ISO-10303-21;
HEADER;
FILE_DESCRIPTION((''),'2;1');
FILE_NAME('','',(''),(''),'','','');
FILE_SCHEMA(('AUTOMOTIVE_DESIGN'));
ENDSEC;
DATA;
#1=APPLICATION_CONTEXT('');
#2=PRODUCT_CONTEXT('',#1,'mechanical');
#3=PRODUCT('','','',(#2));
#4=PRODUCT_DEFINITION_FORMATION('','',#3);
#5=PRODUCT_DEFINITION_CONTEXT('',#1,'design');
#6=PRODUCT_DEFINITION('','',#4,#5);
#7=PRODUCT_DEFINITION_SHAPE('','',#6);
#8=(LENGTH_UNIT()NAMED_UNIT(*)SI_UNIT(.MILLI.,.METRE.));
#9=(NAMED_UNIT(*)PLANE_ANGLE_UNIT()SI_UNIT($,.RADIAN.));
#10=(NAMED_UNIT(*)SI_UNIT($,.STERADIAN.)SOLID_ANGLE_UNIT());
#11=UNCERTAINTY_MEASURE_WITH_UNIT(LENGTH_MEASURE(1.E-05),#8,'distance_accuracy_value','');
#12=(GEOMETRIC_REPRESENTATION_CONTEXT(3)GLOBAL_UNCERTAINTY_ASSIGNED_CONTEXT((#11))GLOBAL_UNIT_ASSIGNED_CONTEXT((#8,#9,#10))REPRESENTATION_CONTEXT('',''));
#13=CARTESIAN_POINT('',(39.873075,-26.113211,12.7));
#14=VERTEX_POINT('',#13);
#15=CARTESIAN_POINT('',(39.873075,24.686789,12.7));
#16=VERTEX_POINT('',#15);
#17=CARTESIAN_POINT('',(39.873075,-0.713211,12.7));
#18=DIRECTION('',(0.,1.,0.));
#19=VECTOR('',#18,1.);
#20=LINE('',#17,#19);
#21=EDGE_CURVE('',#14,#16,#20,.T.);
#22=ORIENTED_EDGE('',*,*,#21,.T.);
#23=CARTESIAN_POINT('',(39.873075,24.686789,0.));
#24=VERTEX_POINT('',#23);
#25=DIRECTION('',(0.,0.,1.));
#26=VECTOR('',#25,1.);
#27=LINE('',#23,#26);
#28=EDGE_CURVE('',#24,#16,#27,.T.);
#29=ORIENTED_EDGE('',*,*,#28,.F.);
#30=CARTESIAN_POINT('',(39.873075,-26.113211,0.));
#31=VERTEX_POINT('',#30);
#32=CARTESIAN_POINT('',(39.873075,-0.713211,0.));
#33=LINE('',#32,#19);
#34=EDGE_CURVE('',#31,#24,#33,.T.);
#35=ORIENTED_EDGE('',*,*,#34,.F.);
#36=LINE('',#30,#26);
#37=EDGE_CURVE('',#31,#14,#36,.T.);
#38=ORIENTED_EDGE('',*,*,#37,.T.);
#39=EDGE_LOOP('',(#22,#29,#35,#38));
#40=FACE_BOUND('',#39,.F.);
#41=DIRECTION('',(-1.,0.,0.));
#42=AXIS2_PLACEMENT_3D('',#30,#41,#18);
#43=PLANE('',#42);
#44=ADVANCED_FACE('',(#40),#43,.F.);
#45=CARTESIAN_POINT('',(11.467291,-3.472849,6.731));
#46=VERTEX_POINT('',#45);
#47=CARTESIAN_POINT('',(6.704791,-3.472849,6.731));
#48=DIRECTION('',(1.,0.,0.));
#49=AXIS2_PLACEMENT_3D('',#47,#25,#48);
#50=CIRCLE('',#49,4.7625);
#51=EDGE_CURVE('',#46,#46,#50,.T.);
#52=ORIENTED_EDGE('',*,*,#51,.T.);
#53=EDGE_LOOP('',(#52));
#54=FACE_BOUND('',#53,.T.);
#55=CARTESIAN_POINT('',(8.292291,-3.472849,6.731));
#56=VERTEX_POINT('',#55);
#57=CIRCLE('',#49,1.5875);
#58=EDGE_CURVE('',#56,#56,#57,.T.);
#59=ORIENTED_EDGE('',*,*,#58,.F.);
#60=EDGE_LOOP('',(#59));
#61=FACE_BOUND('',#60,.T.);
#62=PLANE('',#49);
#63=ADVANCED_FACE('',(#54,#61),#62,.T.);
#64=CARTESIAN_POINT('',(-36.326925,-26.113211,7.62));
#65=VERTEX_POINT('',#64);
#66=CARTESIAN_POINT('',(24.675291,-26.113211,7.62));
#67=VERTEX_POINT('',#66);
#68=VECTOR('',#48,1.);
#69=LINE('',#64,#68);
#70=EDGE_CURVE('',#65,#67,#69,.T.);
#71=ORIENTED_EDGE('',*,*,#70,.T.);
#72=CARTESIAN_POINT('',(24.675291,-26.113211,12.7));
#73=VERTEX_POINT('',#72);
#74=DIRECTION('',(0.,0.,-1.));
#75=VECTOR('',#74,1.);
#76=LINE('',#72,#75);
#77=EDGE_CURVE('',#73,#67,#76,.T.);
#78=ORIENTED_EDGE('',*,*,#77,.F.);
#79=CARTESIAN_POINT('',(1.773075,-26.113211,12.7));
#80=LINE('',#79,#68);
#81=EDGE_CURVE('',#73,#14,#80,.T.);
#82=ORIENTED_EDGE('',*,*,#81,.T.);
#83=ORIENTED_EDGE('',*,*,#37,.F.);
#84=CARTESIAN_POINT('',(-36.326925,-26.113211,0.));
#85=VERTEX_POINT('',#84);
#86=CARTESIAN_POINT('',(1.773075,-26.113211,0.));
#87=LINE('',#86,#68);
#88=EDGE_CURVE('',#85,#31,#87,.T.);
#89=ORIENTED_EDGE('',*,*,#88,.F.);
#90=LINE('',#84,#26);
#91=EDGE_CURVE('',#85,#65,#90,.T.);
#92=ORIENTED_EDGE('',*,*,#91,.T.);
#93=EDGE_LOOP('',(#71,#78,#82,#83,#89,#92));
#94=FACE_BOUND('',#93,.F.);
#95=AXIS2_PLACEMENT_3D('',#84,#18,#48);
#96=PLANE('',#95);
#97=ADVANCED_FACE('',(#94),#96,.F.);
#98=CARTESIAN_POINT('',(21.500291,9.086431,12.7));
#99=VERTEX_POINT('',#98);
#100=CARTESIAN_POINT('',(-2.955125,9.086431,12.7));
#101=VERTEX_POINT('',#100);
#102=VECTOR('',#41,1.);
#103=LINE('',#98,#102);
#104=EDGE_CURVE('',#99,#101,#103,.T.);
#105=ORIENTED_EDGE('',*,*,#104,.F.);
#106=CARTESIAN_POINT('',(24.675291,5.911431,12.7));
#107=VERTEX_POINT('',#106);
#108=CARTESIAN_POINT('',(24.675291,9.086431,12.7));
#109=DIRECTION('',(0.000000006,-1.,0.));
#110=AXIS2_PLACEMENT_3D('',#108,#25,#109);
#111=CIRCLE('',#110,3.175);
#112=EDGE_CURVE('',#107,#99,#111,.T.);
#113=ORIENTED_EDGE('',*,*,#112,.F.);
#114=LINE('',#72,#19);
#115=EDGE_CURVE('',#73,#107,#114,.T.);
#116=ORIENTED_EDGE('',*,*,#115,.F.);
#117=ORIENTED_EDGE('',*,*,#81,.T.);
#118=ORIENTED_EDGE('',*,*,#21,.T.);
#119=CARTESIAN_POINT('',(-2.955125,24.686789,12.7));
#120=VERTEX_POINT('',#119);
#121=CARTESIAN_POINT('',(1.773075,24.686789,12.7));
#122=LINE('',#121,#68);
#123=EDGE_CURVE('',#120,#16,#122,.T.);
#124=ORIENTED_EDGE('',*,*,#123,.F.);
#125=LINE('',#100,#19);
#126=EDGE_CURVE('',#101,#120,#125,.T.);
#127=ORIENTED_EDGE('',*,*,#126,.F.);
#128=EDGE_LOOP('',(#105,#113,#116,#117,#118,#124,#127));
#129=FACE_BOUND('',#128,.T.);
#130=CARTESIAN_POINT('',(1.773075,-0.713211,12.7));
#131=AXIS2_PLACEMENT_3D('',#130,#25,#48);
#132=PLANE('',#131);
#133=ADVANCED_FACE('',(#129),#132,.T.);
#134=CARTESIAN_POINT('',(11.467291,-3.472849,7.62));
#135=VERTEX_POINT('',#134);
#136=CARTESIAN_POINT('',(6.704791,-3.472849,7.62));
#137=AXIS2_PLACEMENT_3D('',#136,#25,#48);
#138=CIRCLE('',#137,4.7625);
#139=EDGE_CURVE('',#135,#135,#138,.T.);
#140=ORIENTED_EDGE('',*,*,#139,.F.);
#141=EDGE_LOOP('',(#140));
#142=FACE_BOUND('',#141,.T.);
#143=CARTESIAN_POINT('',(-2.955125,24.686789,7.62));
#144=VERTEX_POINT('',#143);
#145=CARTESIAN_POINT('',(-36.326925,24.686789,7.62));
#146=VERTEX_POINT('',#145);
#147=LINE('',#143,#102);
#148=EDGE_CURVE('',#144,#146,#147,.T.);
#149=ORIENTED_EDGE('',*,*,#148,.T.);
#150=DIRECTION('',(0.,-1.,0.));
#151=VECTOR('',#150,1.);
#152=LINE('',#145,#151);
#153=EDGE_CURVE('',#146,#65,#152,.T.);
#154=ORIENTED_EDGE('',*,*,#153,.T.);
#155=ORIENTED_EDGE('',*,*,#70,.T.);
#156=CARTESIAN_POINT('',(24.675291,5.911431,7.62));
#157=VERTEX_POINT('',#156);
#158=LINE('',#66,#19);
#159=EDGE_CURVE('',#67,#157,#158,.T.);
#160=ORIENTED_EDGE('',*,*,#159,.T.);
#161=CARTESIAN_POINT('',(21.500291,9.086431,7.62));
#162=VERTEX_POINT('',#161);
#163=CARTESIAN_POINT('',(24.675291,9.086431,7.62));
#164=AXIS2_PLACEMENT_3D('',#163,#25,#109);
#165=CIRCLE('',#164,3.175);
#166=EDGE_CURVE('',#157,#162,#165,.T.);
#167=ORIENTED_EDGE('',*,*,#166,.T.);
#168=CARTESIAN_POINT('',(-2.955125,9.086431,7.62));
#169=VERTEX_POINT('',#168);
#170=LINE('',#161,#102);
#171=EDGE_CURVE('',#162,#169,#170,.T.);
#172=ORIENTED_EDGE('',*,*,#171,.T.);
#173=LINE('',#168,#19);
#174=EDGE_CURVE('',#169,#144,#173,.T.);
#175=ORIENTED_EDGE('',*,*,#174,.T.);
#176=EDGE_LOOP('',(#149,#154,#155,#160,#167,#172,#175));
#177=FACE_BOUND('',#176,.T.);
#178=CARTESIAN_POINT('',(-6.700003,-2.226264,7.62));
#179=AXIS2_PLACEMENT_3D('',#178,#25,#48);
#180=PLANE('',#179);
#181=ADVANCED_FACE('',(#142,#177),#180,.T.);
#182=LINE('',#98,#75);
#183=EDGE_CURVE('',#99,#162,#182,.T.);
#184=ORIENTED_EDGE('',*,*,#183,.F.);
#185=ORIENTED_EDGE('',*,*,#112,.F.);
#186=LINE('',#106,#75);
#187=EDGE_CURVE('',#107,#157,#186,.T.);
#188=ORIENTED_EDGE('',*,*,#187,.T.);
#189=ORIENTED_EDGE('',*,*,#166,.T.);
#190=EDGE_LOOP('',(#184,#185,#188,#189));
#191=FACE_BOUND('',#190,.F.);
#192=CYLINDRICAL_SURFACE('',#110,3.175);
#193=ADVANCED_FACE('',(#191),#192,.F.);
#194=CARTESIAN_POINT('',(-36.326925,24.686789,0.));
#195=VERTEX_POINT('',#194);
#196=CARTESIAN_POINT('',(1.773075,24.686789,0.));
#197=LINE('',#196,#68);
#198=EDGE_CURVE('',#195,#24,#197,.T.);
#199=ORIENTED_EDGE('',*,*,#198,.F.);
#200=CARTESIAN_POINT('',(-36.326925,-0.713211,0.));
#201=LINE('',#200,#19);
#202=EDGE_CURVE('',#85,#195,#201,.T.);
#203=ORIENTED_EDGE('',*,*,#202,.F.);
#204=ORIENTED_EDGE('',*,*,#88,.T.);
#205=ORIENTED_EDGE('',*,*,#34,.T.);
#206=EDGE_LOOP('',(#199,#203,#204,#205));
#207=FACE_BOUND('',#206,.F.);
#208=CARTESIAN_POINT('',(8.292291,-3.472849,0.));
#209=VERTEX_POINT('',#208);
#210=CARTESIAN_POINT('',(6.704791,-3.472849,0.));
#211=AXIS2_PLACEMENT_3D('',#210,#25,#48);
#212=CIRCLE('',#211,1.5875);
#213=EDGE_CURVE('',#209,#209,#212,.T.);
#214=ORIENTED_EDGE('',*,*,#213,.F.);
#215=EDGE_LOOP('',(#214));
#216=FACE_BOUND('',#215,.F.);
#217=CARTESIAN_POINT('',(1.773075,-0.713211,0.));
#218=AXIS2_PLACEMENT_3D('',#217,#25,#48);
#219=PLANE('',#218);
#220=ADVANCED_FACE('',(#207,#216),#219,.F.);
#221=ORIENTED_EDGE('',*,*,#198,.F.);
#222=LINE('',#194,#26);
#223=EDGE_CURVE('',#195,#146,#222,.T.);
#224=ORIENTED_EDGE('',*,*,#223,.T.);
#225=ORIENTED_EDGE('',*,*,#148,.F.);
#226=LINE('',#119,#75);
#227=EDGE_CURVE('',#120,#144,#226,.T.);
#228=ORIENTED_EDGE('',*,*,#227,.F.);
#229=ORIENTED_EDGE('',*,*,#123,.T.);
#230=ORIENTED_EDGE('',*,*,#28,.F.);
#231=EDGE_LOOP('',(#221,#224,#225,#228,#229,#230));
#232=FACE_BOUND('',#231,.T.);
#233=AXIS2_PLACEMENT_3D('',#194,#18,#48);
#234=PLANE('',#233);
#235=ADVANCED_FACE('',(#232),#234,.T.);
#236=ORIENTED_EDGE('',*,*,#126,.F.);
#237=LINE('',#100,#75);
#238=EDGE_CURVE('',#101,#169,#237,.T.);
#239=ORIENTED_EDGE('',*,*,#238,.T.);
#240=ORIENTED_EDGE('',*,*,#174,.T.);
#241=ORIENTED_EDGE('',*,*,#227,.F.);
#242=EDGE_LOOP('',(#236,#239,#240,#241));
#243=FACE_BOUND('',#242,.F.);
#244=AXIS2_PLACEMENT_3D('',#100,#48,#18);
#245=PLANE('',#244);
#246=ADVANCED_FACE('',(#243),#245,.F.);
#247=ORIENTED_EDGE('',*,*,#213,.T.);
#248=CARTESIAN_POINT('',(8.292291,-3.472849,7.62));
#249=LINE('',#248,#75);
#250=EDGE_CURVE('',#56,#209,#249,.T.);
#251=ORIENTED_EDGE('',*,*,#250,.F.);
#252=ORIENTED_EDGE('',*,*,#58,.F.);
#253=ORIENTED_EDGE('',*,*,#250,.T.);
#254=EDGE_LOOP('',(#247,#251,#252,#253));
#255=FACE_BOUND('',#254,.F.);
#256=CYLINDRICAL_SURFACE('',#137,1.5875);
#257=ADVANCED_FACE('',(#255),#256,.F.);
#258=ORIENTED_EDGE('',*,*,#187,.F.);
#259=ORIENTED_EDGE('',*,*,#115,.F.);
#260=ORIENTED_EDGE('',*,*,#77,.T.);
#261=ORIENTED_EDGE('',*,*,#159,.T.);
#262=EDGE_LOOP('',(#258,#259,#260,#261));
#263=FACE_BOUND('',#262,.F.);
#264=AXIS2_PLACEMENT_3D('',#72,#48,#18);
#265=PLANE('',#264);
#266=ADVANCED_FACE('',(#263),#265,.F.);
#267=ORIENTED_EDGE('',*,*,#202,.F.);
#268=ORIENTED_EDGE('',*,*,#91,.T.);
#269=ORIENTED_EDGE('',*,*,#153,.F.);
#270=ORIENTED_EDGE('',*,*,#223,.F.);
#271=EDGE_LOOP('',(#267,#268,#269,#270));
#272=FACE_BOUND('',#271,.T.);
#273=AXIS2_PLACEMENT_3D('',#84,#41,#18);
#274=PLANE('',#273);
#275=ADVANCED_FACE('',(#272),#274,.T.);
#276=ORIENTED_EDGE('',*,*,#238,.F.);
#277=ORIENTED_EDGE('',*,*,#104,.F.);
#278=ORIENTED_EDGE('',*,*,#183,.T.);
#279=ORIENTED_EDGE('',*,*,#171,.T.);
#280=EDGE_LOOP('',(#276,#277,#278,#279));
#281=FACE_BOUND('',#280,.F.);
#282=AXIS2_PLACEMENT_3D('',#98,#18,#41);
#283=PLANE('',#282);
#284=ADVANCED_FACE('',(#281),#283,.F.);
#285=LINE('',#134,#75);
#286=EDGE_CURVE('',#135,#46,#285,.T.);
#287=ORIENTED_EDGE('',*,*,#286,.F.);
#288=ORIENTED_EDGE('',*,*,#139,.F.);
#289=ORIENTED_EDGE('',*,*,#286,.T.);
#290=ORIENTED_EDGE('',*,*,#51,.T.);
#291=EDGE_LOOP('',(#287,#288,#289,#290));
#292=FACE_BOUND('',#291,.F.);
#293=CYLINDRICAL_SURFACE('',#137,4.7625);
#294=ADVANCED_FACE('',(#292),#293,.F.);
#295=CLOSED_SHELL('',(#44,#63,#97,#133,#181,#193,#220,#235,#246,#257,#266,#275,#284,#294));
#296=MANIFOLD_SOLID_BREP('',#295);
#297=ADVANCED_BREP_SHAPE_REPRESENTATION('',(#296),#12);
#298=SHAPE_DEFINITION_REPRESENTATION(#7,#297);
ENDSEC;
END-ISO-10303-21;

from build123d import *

# Parameters (mm, degrees)
F0_W     = 76.2
F0_H     = 50.8
F1_DEPTH = 12.7
F3_DEPTH = 5.08
F4_R     = 1.5875
F5_DEPTH = 25.4
F6_R     = 4.7625
F7_DEPTH = 0.889


with BuildPart() as f1:
    # F0 (on Top) → F1 (new body)
    with BuildSketch(Plane.XY):
        with Locations((1.773075, -0.713211)):
            Rectangle(F0_W, F0_H)
    extrude(amount=F1_DEPTH)

    # F2 (on face) → F3 (cut)
    with BuildSketch(Plane.XY.offset(12.7)):
        with BuildLine():
            Line((-2.955125, 9.086431), (-2.955125, 24.686789))
            Line((-2.955125, 24.686789), (-36.326925, 24.686789))
            Line((-36.326925, 24.686789), (-36.326925, -26.113211))
            Line((-36.326925, -26.113211), (24.675291, -26.113211))
            Line((24.675291, -26.113211), (24.675291, 5.911431))
            ThreePointArc((24.675291, 5.911431), (26.920355, 11.331495), (21.500291, 9.086431))
            Line((21.500291, 9.086431), (-2.955125, 9.086431))
        make_face()
    extrude(amount=-F3_DEPTH, mode=Mode.SUBTRACT)

    # F4 (on face) → F5 (cut)
    with BuildSketch(Plane.XY.offset(7.62)):
        with Locations((6.704791, -3.472849)):
            Circle(F4_R)
    extrude(amount=-F5_DEPTH, mode=Mode.SUBTRACT)

    # F6 (on face) → F7 (cut)
    with BuildSketch(Plane.XY.offset(7.62)):
        with Locations((6.704791, -3.472849)):
            Circle(F6_R)
    extrude(amount=-F7_DEPTH, mode=Mode.SUBTRACT)


solid = f1.part
